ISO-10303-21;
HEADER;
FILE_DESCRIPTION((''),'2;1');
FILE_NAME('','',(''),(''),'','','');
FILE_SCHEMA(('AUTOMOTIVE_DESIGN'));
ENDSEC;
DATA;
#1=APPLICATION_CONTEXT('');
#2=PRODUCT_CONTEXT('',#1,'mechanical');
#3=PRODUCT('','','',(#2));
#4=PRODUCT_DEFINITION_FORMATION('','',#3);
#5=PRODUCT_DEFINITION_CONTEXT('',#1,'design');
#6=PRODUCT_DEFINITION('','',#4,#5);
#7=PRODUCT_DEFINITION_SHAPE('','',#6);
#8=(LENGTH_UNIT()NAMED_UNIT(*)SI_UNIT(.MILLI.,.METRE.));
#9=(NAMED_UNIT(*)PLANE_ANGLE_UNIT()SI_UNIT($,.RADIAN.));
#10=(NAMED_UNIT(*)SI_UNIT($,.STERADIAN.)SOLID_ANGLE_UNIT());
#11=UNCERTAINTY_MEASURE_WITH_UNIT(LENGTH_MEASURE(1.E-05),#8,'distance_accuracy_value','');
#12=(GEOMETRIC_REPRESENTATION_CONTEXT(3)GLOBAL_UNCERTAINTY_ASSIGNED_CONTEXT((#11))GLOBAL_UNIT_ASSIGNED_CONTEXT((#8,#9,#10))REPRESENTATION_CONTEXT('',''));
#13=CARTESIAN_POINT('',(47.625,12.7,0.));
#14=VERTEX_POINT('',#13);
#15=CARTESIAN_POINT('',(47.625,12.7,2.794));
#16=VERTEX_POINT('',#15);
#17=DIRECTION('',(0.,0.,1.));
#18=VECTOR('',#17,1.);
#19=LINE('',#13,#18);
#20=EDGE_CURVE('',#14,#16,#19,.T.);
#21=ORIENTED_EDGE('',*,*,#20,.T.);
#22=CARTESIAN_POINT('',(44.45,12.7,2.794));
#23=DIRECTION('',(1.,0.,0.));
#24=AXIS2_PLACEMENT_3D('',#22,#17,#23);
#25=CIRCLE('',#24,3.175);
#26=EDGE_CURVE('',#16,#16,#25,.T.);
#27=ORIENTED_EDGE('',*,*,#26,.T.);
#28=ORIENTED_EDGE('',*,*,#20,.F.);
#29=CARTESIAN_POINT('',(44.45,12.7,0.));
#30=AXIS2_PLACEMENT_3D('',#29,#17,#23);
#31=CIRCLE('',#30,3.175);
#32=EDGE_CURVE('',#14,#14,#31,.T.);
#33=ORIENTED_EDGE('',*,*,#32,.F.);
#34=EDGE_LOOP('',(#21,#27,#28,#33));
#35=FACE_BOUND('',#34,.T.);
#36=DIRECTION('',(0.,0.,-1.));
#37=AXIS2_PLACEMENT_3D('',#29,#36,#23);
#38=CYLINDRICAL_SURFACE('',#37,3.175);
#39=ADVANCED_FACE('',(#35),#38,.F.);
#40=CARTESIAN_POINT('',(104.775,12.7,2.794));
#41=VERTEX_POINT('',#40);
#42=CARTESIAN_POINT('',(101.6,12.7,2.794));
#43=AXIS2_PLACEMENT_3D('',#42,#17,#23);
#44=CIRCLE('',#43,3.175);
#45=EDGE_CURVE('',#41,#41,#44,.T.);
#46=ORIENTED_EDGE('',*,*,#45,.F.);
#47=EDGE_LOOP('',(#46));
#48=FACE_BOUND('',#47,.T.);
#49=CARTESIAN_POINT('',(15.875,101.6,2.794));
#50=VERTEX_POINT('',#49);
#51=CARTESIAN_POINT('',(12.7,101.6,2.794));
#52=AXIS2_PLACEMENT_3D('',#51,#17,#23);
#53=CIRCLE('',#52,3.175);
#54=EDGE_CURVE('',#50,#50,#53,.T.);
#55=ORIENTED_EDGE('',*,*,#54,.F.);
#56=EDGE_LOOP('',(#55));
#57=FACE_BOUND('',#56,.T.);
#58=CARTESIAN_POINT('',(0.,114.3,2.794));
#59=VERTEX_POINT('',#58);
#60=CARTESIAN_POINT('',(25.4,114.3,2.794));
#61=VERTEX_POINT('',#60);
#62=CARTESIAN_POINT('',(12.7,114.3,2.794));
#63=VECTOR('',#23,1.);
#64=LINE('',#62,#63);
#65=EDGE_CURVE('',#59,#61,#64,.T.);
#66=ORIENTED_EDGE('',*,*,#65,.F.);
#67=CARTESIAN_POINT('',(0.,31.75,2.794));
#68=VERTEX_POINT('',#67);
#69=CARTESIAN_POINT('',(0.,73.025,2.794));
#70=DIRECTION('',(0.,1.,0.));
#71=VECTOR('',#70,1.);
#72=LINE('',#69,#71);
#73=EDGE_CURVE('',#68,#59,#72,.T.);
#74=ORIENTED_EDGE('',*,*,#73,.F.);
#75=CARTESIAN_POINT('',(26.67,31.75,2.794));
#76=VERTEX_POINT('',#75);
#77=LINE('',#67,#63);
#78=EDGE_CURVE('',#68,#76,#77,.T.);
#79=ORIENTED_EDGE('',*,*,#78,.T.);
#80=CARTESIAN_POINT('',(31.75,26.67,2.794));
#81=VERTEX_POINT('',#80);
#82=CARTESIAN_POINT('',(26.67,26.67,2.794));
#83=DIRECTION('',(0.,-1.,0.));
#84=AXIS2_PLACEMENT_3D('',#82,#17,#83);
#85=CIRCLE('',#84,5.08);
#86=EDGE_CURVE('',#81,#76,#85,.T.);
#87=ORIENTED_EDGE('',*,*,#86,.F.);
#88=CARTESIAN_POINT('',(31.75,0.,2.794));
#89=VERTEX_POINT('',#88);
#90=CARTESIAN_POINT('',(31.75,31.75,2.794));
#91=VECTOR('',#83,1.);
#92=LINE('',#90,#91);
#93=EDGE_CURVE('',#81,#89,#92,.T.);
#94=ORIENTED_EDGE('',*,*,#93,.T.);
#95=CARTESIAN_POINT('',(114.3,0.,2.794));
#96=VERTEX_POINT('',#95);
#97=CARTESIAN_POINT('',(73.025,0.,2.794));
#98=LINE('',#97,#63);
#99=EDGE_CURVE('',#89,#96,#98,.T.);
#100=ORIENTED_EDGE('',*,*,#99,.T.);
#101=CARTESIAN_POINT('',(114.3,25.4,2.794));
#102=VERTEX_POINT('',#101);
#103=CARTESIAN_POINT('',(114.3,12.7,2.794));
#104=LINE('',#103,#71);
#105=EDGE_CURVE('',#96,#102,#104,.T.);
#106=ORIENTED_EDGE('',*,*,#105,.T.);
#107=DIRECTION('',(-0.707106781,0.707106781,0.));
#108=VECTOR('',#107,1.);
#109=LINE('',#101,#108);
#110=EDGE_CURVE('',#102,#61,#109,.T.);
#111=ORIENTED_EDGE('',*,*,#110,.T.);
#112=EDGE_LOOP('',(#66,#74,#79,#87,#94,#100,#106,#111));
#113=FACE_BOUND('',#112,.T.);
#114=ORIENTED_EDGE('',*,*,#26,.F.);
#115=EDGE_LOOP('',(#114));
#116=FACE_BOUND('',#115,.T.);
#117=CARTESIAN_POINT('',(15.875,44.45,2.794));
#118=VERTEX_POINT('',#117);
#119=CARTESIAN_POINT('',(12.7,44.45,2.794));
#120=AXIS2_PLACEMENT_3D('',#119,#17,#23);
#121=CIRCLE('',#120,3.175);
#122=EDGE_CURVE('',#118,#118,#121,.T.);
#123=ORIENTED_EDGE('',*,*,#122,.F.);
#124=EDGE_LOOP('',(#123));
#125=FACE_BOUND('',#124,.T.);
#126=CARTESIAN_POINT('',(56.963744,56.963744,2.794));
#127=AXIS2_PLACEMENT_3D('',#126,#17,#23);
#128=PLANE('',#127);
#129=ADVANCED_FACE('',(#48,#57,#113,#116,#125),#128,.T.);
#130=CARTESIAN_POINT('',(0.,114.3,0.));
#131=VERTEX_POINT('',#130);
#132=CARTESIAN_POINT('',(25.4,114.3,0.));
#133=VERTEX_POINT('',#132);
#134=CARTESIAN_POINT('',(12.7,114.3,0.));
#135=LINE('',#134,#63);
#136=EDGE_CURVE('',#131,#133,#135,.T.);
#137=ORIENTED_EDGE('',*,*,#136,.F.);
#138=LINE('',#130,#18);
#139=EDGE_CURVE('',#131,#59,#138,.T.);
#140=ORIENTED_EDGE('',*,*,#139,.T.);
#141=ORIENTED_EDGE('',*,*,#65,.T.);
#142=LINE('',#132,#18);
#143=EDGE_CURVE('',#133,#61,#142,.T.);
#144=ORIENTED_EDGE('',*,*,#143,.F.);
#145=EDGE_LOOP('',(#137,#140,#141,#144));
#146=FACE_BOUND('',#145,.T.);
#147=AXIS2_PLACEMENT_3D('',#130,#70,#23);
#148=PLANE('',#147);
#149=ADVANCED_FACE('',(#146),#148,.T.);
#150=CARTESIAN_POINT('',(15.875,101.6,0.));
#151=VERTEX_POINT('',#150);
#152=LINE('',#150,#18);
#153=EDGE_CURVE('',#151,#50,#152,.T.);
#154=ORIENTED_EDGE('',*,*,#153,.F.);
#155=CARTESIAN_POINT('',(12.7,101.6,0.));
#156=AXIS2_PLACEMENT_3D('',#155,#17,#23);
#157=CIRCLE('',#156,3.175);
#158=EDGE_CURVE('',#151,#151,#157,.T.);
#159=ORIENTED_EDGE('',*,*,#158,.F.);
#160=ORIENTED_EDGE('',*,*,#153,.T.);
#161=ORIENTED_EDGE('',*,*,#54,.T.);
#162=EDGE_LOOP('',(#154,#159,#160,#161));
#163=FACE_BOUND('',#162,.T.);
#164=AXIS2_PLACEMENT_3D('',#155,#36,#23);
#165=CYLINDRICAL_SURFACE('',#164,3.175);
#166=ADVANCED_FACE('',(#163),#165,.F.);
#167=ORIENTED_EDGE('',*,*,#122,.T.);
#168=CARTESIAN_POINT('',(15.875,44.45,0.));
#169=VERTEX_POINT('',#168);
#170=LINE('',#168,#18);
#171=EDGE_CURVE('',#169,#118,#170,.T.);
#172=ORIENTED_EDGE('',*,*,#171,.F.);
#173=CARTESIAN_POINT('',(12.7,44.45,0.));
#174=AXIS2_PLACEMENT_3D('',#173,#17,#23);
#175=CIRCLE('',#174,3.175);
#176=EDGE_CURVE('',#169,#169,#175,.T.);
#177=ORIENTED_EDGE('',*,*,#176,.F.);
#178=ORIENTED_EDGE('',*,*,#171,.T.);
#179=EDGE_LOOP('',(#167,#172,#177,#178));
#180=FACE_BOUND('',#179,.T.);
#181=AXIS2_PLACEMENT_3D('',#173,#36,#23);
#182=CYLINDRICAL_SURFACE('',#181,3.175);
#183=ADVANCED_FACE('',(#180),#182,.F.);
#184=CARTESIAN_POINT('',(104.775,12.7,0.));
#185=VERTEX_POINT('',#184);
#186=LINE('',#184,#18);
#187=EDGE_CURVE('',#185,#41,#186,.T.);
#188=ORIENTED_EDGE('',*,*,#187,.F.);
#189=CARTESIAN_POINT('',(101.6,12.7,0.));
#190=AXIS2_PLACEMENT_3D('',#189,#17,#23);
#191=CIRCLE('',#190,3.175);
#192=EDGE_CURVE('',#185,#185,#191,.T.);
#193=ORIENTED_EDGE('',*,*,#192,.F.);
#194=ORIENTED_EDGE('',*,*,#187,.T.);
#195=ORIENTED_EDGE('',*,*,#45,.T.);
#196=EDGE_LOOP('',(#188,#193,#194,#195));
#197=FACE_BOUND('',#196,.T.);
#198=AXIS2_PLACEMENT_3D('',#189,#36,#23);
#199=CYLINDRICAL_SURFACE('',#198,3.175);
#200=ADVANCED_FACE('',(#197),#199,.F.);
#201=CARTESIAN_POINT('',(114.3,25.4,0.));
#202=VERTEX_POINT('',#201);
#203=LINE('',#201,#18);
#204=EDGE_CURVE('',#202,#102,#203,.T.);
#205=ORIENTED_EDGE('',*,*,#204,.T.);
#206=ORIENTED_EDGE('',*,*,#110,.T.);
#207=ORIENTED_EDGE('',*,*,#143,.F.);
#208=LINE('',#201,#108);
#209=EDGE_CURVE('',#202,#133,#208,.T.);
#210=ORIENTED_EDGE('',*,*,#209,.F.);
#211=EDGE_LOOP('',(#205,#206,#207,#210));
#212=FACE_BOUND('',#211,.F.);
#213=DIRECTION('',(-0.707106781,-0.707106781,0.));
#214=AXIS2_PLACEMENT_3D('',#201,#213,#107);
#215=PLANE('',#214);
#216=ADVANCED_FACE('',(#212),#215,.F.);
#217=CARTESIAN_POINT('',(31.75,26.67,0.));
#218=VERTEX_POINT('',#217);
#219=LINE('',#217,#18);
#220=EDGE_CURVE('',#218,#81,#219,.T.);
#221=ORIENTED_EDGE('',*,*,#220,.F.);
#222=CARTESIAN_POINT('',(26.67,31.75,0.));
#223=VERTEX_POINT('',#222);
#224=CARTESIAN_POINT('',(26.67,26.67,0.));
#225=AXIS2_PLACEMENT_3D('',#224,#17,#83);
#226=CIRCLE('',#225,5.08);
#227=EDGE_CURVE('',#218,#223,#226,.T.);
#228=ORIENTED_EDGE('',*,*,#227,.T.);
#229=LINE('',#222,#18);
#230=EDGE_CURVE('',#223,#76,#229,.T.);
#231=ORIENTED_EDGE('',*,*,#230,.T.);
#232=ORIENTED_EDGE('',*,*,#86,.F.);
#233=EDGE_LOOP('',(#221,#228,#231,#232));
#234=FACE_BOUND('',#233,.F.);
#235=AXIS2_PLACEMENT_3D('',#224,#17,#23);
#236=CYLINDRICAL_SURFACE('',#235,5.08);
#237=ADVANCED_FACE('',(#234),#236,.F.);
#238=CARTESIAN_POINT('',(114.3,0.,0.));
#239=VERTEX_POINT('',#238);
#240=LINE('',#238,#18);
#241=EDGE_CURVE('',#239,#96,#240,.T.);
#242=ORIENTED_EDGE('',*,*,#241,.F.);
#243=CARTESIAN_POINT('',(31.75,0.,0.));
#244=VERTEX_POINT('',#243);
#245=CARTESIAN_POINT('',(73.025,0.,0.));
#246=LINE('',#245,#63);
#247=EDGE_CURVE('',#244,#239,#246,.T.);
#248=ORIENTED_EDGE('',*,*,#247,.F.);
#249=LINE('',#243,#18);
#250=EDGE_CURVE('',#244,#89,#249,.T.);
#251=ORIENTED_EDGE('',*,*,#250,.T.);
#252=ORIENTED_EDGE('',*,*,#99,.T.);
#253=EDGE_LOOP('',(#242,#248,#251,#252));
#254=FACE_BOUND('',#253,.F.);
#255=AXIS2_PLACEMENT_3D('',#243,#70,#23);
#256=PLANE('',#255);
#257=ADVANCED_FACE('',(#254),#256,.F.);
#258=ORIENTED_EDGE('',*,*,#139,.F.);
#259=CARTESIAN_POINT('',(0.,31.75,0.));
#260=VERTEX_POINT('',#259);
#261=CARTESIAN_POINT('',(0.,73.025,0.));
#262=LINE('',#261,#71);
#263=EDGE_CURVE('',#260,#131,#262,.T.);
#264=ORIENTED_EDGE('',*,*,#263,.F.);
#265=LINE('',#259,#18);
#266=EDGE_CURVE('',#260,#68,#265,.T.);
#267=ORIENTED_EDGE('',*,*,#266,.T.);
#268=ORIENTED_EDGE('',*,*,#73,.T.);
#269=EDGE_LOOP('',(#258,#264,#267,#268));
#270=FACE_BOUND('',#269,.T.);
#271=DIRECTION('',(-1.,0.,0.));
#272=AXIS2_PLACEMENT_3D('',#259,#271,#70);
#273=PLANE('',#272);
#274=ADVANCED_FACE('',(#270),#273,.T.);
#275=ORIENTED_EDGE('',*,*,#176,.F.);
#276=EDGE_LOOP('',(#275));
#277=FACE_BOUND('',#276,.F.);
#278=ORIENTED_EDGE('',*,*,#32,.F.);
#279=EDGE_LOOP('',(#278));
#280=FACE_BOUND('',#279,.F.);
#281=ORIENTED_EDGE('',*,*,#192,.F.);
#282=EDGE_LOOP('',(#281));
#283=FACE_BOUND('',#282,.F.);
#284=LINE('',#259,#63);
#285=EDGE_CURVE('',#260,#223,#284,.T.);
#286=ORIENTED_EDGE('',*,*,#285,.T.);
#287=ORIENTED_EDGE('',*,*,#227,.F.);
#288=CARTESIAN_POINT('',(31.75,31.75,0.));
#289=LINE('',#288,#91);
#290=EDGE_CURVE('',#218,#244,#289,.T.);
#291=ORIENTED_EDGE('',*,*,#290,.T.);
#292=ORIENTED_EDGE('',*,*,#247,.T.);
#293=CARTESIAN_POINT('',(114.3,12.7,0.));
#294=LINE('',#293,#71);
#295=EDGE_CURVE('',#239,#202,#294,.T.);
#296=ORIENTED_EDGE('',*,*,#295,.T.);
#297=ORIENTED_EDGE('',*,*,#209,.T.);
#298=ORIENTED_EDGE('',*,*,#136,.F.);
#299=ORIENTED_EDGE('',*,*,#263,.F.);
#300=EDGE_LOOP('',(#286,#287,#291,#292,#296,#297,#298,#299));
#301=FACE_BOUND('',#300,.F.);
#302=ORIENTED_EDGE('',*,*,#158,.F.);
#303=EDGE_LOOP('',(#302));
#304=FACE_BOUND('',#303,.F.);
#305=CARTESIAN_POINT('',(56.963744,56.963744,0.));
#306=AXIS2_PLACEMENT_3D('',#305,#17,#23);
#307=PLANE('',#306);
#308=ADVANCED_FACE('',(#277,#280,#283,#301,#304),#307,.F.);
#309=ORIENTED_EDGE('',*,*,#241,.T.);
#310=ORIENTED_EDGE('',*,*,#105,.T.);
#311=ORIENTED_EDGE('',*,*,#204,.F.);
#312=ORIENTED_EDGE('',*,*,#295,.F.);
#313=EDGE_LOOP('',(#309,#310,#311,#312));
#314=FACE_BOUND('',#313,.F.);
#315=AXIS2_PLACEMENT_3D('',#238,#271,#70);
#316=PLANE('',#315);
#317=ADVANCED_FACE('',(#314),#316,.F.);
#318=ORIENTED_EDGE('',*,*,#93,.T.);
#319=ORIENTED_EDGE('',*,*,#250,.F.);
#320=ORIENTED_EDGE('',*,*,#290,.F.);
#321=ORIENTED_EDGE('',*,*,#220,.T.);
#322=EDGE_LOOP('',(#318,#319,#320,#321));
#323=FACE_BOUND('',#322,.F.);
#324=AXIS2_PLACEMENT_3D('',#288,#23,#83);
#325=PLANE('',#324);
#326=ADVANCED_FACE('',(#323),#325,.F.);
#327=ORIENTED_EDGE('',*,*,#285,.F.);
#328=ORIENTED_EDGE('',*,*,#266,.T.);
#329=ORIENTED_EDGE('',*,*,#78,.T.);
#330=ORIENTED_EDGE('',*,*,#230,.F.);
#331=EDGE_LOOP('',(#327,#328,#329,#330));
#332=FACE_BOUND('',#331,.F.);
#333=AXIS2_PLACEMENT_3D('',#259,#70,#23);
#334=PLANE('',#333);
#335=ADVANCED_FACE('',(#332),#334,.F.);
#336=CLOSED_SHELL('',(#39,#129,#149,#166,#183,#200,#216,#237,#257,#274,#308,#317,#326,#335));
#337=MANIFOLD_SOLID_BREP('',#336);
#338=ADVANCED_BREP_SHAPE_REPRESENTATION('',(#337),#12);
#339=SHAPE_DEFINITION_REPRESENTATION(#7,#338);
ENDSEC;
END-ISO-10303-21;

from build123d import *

# Parameters (mm, degrees)
F0_W     = 82.55
F0_H     = 25.4
F0_R     = 3.175
F0_W_2   = 25.4
F0_H_2   = 82.55
F1_DEPTH = 2.794
F2_R     = 5.08


with BuildPart() as f1:
    # F0 (on Top) → F1 (new body)
    with BuildSketch(Plane.XY):
        Polygon((25.4, 114.3), (25.4, 31.75), (31.75, 31.75), (31.75, 25.4), (114.3, 25.4), align=None)
        with Locations((73.025, 12.7)):
            Rectangle(F0_W, F0_H)
        with Locations((44.45, 12.7)):
            Circle(F0_R, mode=Mode.SUBTRACT)
        with Locations((101.6, 12.7)):
            Circle(F0_R, mode=Mode.SUBTRACT)
        with Locations((12.7, 73.025)):
            Rectangle(F0_W_2, F0_H_2)
        with Locations((12.7, 44.45)):
            Circle(F0_R, mode=Mode.SUBTRACT)
        with Locations((12.7, 101.6)):
            Circle(F0_R, mode=Mode.SUBTRACT)
    extrude(amount=F1_DEPTH)

    # F2
    f2_edges = [f1.edges().sort_by_distance(p)[0] for p in [
        (31.75, 31.75, 1.397),
    ]]
    fillet(f2_edges, radius=F2_R)


solid = f1.part
